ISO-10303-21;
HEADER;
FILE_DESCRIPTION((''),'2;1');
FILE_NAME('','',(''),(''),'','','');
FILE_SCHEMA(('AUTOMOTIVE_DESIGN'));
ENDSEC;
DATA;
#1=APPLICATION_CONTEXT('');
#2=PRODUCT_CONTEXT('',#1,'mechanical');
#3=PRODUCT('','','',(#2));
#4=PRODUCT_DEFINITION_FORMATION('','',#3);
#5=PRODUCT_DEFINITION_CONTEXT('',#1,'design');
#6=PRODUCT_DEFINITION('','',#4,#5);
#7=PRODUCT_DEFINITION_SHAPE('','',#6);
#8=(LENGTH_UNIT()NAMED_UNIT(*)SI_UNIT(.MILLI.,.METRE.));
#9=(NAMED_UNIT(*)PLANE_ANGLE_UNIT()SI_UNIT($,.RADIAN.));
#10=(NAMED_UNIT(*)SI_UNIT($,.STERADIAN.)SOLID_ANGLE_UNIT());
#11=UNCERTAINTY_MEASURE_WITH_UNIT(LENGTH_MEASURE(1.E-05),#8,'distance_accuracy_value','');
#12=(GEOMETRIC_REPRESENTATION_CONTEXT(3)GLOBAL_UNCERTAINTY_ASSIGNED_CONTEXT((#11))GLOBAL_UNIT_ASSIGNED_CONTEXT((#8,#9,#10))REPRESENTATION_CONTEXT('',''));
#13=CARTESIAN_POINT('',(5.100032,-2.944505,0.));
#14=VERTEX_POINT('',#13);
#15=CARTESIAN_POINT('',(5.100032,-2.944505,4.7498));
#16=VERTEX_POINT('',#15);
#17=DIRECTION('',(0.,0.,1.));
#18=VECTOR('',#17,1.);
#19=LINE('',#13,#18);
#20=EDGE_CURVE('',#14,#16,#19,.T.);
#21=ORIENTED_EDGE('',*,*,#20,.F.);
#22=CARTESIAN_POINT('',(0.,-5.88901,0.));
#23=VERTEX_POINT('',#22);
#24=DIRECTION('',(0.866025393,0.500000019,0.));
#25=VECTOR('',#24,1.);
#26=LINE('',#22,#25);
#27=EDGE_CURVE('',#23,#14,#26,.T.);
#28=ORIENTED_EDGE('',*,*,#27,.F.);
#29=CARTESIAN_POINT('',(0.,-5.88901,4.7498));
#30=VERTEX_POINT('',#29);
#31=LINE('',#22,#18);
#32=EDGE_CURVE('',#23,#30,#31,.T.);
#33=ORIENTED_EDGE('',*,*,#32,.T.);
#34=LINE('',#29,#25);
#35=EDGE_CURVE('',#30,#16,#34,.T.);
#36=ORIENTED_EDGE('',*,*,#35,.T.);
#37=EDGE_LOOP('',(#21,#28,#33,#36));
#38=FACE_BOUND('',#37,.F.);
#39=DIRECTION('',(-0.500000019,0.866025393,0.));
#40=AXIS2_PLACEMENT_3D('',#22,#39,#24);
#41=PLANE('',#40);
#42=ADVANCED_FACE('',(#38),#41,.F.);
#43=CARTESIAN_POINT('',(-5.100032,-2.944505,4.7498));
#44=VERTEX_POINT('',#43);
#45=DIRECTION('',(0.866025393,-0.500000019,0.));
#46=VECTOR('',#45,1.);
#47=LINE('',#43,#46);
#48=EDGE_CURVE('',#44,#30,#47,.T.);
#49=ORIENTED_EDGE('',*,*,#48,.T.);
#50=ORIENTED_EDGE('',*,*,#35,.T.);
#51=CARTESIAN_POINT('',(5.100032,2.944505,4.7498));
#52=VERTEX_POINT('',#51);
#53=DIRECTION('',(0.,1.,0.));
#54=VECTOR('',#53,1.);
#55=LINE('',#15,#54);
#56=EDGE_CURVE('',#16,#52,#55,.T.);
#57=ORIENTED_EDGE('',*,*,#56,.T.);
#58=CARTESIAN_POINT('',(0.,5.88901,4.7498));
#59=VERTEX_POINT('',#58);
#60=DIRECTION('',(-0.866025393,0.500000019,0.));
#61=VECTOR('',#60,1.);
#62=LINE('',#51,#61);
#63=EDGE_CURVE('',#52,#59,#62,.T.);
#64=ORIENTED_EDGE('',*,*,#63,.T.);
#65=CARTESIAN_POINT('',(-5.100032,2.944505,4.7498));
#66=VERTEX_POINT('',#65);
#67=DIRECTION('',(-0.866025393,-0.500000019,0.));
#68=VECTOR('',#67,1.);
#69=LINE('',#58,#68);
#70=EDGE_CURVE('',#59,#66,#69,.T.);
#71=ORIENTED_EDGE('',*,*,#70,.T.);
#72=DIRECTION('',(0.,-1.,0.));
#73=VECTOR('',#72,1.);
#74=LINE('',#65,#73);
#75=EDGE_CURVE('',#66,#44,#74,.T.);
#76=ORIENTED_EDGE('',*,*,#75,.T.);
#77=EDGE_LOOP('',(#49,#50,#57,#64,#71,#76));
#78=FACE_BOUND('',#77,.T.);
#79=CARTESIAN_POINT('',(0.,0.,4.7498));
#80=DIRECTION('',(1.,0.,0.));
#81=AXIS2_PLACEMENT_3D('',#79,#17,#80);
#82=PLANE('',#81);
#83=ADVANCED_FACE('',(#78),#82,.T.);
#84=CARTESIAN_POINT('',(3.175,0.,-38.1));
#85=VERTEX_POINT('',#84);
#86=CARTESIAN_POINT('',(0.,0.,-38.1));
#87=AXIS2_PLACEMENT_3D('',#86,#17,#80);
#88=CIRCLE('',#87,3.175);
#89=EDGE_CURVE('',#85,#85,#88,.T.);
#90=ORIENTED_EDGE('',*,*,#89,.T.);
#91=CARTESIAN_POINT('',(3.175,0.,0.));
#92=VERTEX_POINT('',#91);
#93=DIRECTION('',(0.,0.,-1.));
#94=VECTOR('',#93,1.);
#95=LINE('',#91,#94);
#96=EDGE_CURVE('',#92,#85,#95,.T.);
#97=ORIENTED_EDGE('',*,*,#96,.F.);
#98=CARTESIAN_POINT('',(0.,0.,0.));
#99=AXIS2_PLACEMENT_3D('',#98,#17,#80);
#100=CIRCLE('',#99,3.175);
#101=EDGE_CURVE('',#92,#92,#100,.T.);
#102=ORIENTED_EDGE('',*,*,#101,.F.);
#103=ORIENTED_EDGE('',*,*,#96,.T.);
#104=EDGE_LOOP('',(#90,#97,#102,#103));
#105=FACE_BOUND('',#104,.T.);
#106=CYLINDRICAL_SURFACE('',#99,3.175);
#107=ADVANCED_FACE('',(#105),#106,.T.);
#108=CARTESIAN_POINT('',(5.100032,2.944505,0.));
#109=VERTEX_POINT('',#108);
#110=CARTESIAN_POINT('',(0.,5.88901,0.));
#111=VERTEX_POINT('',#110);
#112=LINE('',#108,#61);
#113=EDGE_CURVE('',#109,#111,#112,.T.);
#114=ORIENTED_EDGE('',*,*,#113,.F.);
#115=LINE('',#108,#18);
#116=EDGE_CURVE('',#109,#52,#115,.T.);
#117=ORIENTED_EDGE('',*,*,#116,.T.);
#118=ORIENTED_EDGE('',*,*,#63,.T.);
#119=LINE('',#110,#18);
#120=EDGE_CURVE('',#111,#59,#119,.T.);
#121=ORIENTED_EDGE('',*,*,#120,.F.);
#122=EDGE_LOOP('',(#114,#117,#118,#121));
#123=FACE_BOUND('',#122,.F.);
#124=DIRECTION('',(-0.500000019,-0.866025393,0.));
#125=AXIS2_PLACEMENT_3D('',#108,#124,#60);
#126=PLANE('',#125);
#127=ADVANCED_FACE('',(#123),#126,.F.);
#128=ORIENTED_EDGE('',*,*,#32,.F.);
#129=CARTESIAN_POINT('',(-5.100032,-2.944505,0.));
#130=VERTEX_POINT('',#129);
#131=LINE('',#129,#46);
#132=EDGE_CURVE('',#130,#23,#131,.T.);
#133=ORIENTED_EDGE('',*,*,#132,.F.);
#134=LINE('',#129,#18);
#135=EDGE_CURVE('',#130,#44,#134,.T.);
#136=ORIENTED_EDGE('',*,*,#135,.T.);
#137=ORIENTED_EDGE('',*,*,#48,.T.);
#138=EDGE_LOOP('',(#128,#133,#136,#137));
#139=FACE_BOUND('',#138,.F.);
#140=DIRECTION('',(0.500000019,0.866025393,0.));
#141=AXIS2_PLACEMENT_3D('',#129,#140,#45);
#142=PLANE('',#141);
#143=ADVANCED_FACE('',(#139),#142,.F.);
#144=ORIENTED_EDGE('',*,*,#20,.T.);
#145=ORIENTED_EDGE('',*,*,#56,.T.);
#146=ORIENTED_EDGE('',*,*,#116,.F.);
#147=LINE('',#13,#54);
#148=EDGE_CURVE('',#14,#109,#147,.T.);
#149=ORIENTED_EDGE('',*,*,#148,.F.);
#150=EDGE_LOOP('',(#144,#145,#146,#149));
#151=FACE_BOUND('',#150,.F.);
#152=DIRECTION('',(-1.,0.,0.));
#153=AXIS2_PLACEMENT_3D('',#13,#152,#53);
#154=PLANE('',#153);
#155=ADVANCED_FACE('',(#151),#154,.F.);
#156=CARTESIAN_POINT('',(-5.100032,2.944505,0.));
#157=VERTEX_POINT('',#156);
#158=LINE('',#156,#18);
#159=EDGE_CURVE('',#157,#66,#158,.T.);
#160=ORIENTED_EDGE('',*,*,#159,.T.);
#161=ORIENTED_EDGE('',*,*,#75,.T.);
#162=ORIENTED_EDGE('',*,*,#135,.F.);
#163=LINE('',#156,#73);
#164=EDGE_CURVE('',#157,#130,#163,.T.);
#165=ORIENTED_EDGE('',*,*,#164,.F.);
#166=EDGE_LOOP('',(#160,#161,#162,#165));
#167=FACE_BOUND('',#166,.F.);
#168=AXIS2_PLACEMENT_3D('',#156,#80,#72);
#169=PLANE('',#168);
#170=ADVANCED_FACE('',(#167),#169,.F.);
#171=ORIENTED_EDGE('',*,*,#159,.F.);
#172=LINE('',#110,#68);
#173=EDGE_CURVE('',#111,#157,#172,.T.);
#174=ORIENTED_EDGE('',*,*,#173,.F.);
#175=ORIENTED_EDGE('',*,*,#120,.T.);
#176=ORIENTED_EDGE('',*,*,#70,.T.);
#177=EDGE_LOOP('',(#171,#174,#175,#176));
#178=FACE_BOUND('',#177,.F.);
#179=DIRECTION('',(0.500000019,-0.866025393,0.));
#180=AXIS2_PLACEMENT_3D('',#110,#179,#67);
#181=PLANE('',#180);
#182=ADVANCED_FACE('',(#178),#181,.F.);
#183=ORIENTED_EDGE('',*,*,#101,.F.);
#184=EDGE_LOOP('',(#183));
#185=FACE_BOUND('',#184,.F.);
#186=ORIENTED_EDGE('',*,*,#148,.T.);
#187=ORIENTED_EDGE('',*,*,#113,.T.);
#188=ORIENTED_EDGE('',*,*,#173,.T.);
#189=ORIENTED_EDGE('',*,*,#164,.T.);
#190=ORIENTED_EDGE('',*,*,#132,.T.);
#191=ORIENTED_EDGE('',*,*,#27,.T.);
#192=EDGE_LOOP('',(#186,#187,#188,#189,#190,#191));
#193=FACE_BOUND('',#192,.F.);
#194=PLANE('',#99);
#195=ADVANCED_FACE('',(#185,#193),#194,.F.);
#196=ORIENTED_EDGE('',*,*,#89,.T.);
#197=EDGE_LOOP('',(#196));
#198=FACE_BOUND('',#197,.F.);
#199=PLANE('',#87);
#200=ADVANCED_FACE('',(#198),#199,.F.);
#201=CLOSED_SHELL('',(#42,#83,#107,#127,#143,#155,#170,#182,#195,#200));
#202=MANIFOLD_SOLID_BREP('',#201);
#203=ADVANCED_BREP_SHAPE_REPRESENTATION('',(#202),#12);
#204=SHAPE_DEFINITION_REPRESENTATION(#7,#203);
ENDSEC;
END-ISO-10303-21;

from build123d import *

# Parameters (mm, degrees)
F0_R     = 3.175
F1_DEPTH = 38.1
F3_DEPTH = 4.7498


with BuildPart() as f1:
    # F0 (on Top) → F1 (new body)
    with BuildSketch(Plane.XY):
        Circle(F0_R)
    extrude(amount=-F1_DEPTH)

    # F2 (on face) → F3 (join)
    with BuildSketch(Plane.XY):
        Polygon((5.100032, 2.944505), (0, 5.88901), (-5.100032, 2.944505), (-5.100032, -2.944505), (0, -5.88901), (5.100032, -2.944505), align=None)
    extrude(amount=F3_DEPTH)


solid = f1.part
